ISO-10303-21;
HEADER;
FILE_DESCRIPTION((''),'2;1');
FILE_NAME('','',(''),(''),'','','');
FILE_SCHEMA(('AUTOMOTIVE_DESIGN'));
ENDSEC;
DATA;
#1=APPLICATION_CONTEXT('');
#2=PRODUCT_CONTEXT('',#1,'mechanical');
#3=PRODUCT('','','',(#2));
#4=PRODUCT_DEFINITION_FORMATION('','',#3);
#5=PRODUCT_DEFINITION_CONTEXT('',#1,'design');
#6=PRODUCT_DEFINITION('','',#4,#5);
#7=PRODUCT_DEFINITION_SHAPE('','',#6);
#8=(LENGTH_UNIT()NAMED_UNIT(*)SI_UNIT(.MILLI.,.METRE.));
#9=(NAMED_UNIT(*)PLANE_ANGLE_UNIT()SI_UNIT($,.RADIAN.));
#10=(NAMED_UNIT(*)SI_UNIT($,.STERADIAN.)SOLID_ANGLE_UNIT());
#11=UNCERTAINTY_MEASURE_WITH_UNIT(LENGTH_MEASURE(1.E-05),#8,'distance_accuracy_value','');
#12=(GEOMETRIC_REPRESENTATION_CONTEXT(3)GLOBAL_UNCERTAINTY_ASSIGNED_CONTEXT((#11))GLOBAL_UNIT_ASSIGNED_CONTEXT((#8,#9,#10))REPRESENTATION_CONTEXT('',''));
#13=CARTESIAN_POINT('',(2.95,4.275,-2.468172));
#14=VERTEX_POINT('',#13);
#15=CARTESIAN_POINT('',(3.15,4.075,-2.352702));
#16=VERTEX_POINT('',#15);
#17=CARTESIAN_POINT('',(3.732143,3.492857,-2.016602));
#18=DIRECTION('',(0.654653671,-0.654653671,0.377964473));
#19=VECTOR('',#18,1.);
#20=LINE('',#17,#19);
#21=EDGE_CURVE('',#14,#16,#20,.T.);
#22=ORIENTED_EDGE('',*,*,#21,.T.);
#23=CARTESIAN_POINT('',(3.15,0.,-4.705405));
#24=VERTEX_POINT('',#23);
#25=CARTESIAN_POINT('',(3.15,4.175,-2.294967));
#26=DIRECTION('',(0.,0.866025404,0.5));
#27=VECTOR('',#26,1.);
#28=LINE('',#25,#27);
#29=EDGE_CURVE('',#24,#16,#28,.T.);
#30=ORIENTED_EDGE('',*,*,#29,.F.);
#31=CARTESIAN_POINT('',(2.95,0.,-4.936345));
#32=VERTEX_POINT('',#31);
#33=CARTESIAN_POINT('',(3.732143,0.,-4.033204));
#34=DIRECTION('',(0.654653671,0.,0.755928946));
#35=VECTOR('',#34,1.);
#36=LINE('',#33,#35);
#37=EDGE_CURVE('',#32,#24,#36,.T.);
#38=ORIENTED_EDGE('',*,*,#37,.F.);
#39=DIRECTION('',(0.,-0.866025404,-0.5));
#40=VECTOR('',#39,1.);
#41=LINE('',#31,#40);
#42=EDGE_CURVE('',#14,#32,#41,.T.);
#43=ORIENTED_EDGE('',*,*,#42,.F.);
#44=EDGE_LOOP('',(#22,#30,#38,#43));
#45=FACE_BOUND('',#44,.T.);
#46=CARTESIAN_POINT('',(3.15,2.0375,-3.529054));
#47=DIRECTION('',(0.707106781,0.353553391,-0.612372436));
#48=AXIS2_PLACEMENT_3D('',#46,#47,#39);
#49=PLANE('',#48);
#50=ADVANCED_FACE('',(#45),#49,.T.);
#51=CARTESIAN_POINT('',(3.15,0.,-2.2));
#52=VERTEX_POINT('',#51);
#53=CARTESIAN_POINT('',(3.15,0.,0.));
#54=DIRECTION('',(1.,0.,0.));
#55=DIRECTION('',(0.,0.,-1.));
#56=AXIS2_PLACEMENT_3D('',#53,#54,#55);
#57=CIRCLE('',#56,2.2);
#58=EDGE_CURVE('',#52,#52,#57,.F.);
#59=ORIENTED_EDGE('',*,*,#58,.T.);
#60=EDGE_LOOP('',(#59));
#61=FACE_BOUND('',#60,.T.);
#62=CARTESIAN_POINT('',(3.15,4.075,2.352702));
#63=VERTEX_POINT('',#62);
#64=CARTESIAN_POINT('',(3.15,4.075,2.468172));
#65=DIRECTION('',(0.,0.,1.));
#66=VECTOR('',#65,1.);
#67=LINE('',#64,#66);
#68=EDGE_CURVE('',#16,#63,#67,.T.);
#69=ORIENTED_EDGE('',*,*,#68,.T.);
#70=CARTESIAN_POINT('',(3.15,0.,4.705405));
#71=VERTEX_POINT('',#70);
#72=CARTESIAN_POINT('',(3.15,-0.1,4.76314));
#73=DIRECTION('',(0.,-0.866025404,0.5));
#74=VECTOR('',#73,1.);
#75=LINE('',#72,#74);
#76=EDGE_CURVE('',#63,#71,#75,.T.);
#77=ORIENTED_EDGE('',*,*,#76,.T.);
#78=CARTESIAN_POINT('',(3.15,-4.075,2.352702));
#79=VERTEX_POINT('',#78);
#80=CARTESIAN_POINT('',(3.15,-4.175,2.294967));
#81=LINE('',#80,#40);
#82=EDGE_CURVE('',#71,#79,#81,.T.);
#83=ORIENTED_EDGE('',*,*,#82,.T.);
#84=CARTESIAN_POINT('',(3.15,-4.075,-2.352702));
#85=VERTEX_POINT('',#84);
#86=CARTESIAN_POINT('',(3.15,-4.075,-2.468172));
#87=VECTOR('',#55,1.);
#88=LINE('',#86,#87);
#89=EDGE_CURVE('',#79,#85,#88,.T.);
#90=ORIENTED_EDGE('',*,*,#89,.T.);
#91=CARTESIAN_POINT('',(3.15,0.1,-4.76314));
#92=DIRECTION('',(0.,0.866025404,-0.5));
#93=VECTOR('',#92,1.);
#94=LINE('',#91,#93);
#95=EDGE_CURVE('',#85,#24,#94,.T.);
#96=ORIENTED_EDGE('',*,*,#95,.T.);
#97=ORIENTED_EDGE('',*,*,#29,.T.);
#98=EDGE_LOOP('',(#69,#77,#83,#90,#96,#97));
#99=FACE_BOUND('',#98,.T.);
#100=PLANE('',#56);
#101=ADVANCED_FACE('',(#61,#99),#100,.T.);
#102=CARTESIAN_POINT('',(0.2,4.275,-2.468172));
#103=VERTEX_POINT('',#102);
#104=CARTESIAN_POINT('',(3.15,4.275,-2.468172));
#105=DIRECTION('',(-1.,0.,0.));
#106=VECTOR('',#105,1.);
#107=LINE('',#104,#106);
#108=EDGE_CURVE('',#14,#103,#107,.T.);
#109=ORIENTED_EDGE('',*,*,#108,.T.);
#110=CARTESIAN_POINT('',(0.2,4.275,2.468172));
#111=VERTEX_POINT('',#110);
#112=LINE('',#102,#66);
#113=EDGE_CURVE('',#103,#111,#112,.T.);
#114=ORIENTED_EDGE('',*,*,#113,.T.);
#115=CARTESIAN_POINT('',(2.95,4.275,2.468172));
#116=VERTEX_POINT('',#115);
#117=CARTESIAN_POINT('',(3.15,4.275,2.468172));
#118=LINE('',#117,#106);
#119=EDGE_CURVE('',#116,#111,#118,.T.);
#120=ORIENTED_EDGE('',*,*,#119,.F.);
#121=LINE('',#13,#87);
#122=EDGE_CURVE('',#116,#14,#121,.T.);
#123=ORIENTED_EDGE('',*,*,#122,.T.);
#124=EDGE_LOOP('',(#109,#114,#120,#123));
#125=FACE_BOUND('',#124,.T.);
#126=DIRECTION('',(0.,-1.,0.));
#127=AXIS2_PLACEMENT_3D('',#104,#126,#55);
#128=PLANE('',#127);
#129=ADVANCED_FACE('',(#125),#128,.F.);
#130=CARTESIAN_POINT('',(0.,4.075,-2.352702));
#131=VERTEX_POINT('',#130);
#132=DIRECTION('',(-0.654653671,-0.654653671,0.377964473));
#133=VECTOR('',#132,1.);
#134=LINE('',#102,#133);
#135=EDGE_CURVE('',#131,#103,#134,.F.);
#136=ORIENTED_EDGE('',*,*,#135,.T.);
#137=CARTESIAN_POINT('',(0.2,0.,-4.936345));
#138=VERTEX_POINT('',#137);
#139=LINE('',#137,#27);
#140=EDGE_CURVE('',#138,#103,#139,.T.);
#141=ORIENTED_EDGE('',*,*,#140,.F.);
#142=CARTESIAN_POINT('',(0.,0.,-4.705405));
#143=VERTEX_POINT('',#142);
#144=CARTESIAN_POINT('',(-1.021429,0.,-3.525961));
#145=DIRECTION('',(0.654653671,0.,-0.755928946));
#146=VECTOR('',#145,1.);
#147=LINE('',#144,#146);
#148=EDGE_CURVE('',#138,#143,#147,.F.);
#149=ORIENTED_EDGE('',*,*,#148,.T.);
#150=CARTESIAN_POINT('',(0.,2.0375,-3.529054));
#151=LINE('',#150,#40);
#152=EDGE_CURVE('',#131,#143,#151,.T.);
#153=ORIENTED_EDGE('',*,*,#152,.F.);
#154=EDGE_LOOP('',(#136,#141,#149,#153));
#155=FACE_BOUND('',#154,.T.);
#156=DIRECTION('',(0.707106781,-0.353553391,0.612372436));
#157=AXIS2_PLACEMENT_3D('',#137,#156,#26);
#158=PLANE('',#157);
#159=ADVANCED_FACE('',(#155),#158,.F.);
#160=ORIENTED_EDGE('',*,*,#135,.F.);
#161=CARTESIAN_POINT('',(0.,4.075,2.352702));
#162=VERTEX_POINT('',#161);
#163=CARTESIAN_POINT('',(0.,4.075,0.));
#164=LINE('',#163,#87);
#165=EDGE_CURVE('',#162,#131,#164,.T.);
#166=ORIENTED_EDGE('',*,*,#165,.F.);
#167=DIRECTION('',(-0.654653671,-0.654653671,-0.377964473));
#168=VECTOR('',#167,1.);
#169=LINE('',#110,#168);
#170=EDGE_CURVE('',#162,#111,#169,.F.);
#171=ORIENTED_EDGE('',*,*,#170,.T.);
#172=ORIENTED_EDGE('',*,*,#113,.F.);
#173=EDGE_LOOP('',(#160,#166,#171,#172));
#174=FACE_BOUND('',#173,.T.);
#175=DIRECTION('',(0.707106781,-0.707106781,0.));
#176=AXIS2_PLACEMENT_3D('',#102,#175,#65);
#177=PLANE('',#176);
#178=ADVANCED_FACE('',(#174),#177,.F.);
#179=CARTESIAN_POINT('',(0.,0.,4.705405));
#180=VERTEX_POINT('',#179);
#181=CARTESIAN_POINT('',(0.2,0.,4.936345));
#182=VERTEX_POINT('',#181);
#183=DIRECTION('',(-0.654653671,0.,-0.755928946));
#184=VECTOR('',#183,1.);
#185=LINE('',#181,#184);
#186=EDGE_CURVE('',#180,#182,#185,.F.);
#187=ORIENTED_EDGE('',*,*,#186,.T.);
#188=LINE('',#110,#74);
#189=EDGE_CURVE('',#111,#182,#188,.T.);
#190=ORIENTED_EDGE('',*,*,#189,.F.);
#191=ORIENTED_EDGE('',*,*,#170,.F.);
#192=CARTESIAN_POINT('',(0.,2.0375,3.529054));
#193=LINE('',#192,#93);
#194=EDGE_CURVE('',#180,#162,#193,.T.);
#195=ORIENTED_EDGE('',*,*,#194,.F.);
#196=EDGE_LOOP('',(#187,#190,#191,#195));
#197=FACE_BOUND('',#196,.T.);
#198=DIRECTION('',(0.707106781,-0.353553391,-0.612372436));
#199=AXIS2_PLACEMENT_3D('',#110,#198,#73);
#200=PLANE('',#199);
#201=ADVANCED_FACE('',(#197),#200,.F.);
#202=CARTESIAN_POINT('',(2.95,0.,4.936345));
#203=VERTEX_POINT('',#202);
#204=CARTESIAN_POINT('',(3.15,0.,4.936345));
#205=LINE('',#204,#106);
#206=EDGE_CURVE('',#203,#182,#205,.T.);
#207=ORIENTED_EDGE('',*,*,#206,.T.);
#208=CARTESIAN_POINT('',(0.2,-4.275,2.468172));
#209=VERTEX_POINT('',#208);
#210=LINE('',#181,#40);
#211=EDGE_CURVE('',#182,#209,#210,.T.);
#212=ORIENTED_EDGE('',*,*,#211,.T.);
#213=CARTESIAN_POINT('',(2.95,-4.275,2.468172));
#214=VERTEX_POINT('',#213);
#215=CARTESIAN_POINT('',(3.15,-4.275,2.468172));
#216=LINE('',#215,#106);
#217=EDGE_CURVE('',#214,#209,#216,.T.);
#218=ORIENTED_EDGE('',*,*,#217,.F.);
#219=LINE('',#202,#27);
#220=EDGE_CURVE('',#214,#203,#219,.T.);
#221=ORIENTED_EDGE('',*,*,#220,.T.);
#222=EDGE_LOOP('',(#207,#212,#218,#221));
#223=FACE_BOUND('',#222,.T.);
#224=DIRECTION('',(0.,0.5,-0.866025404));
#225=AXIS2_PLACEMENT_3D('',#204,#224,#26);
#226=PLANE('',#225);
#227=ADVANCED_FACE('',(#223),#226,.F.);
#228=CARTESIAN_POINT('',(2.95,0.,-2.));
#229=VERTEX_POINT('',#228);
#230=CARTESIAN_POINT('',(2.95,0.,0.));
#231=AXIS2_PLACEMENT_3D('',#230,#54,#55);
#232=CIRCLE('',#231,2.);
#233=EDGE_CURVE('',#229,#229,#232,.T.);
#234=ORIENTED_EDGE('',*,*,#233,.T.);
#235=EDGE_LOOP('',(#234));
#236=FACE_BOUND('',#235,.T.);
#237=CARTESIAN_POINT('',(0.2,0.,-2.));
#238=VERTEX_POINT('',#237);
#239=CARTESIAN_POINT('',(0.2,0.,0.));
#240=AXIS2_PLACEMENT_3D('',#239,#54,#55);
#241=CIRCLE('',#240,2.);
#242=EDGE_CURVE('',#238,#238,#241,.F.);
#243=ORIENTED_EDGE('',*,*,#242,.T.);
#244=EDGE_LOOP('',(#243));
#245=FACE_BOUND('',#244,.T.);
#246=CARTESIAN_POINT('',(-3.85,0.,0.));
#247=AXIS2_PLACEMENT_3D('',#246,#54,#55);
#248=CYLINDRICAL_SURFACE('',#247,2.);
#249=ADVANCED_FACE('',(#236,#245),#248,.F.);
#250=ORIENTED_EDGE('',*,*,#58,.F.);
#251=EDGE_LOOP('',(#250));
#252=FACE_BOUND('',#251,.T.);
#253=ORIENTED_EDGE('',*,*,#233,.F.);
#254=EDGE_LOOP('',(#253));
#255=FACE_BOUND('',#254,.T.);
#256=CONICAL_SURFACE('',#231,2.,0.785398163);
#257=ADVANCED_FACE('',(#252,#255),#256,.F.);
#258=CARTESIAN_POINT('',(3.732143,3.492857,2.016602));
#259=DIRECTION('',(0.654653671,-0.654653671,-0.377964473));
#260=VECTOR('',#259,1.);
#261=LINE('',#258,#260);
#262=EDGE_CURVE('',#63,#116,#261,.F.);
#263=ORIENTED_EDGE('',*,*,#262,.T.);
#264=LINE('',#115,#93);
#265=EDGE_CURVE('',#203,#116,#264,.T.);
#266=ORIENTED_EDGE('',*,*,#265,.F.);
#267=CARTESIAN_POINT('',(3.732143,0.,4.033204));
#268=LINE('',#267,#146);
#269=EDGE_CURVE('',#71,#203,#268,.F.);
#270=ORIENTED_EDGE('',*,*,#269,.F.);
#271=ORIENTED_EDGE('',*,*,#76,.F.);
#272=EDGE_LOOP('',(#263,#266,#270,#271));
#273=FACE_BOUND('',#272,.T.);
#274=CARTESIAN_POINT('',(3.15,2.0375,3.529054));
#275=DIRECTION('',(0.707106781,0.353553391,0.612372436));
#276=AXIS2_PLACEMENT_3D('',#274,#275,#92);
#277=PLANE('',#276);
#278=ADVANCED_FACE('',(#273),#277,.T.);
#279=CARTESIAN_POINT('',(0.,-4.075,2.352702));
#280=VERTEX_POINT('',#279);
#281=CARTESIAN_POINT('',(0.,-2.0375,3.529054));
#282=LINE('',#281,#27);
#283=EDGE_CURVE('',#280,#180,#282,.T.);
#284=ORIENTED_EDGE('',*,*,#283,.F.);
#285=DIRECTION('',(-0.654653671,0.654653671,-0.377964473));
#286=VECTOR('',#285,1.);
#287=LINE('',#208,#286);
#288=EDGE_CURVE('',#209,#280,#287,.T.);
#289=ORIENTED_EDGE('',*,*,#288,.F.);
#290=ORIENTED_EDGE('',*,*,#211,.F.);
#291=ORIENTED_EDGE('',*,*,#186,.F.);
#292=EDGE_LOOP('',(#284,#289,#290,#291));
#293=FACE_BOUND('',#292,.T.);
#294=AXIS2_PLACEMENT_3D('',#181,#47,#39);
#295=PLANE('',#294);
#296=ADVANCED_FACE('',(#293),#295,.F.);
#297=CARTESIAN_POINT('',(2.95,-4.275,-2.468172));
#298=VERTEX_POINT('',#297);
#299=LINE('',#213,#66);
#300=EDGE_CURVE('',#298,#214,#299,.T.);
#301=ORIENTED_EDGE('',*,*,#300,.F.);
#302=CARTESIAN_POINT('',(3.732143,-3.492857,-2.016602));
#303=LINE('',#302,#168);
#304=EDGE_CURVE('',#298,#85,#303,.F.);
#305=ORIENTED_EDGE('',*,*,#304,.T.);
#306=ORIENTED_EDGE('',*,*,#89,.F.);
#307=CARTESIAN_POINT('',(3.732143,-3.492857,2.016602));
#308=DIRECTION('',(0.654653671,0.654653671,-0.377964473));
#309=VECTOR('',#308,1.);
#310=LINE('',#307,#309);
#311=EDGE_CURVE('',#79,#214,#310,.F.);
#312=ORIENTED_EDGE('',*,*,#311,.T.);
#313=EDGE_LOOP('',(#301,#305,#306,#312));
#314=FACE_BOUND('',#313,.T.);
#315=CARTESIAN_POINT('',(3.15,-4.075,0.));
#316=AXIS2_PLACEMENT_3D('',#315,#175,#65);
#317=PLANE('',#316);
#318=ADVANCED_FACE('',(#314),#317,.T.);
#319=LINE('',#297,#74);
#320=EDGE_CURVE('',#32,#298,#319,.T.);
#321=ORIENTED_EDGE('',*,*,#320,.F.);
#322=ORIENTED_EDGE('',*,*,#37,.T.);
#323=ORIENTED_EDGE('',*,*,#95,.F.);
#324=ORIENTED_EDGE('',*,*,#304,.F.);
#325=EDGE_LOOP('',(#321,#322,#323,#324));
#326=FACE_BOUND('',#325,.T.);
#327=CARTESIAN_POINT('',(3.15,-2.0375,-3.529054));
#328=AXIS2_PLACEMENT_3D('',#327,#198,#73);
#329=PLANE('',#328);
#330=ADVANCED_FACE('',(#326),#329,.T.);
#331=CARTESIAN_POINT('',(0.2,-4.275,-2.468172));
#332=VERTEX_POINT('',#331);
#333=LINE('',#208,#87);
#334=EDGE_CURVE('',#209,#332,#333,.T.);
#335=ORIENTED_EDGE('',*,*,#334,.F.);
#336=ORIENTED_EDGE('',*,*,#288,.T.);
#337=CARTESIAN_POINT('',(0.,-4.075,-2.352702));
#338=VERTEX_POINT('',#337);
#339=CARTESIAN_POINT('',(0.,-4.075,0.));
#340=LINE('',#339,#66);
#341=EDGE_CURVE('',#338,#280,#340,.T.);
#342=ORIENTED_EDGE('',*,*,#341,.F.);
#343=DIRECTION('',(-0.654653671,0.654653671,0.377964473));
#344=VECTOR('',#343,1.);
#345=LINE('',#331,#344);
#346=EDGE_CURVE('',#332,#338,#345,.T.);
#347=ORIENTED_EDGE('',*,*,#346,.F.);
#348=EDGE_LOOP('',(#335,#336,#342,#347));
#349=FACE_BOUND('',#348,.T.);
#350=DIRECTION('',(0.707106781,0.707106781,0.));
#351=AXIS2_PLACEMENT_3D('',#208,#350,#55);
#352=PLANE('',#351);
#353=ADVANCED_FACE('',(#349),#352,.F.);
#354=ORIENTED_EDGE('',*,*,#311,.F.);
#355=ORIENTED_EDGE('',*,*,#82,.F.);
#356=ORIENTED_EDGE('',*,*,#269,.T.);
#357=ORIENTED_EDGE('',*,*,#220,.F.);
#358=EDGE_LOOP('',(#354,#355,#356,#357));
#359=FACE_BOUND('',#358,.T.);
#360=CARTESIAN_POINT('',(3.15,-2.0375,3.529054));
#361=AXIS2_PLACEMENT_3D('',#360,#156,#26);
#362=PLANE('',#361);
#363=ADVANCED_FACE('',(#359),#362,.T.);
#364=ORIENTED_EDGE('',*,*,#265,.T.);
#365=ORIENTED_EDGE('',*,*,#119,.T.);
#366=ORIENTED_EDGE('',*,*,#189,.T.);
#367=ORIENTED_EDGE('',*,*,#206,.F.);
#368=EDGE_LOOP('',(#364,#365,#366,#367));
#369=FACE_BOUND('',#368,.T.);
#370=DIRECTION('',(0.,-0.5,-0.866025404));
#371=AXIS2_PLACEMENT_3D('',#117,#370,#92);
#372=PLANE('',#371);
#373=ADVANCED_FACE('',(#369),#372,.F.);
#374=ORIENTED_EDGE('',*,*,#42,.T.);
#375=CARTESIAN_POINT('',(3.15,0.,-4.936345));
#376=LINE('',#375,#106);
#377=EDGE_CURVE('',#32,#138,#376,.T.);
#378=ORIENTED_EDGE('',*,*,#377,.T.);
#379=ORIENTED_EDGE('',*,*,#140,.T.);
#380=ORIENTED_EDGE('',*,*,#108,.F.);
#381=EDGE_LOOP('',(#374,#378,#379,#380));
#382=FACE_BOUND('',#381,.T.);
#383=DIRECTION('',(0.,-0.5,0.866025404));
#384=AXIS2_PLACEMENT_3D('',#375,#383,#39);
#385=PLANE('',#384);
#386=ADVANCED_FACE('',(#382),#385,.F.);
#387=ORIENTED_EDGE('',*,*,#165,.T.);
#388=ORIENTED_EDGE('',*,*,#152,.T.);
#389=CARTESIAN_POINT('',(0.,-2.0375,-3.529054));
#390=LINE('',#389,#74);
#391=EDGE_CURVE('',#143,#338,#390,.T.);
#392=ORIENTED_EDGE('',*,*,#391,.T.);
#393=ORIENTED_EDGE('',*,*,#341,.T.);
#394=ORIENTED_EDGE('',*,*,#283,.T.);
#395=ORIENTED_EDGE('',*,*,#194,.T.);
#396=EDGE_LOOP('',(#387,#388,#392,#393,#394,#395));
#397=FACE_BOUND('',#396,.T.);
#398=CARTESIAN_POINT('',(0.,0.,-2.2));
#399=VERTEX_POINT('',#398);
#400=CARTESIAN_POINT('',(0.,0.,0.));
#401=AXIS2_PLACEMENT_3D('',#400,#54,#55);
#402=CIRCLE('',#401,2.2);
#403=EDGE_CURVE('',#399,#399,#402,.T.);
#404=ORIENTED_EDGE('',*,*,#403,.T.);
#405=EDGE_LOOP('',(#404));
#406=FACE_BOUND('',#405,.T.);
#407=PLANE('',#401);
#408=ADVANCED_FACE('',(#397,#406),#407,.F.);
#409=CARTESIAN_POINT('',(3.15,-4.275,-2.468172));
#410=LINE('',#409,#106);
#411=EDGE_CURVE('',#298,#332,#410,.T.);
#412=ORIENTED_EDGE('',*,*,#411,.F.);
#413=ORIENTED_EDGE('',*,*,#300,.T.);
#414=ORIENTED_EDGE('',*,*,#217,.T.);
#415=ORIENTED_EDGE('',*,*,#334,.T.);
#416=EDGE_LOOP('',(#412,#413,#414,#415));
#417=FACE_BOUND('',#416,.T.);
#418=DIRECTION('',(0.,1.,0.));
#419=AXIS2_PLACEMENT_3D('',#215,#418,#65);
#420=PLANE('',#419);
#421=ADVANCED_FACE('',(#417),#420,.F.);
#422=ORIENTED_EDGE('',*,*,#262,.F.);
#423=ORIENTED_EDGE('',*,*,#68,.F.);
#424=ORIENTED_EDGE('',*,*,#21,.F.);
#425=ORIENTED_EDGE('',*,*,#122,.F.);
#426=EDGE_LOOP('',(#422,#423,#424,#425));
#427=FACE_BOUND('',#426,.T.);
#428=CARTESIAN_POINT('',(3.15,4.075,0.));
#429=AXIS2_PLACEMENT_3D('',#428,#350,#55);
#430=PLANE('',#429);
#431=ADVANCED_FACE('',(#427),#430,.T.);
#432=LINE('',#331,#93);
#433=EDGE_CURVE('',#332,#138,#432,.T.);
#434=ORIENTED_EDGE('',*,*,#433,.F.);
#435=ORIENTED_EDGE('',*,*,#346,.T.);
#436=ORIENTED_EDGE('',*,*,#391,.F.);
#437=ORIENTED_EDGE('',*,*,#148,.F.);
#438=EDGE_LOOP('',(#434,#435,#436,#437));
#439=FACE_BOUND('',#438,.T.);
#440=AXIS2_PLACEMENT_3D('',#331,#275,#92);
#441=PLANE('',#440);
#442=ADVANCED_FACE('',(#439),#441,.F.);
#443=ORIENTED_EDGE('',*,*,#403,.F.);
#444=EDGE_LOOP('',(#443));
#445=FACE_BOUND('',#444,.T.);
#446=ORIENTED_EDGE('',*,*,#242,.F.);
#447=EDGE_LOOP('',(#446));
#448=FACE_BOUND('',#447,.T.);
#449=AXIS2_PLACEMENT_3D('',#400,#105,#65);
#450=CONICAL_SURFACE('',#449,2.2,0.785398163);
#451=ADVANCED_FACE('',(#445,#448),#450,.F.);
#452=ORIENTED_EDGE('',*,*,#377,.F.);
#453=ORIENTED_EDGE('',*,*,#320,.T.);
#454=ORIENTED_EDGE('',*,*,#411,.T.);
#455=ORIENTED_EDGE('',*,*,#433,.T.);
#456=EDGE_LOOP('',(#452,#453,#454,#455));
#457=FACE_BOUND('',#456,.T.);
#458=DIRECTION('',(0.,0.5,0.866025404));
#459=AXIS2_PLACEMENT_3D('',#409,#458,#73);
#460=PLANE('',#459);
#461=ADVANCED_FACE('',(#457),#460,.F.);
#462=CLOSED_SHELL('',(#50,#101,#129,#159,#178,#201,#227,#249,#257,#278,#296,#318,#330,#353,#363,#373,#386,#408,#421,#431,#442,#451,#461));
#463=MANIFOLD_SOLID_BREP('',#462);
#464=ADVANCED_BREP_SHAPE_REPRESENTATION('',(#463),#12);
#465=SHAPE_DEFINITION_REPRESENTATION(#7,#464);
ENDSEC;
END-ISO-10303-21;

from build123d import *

# Parameters (mm, degrees)
BOSS_EXTRUDE3_DEPTH = 3.15
SKETCH3_R           = 2
CUT_EXTRUDE2_DEPTH  = 7
CHAMFER1_SIZE       = 0.2


with BuildPart() as part:
    # Sketch2 → Boss-Extrude3 (new body)
    with BuildSketch(Plane(origin=(0, 0, 0), x_dir=(0, 0, -1), z_dir=(1, 0, 0))):
        Polygon((4.936344802, 0), (2.468172401, 4.275), (-2.468172401, 4.275), (-4.936344802, 0), (-2.468172401, -4.275), (2.468172401, -4.275), align=None)
    extrude(amount=BOSS_EXTRUDE3_DEPTH)

    # Sketch3 → Cut-Extrude2 (cut)
    with BuildSketch(Plane(origin=(3.15, 0, 0), x_dir=(0, 0, -1), z_dir=(1, 0, 0))):
        Circle(SKETCH3_R)
    extrude(amount=-CUT_EXTRUDE2_DEPTH, mode=Mode.SUBTRACT)

    # Chamfer1
    chamfer1_edges = [part.edges().sort_by_distance(p)[0] for p in [
        (3.15, 4.275, 0),
        (3.15, 2.1375, 3.702258601),
        (3.15, -2.1375, 3.702258601),
        (3.15, -4.275, 0),
        (0, 0, 2),
        (3.15, 0, 2),
        (3.15, -2.1375, -3.702258601),
        (0, -4.275, 0),
        (0, -2.1375, 3.702258601),
        (0, 2.1375, 3.702258601),
        (3.15, 2.1375, -3.702258601),
        (0, 4.275, 0),
        (0, 2.1375, -3.702258601),
        (0, -2.1375, -3.702258601),
    ]]
    chamfer(chamfer1_edges, length=CHAMFER1_SIZE)


solid = part.part
